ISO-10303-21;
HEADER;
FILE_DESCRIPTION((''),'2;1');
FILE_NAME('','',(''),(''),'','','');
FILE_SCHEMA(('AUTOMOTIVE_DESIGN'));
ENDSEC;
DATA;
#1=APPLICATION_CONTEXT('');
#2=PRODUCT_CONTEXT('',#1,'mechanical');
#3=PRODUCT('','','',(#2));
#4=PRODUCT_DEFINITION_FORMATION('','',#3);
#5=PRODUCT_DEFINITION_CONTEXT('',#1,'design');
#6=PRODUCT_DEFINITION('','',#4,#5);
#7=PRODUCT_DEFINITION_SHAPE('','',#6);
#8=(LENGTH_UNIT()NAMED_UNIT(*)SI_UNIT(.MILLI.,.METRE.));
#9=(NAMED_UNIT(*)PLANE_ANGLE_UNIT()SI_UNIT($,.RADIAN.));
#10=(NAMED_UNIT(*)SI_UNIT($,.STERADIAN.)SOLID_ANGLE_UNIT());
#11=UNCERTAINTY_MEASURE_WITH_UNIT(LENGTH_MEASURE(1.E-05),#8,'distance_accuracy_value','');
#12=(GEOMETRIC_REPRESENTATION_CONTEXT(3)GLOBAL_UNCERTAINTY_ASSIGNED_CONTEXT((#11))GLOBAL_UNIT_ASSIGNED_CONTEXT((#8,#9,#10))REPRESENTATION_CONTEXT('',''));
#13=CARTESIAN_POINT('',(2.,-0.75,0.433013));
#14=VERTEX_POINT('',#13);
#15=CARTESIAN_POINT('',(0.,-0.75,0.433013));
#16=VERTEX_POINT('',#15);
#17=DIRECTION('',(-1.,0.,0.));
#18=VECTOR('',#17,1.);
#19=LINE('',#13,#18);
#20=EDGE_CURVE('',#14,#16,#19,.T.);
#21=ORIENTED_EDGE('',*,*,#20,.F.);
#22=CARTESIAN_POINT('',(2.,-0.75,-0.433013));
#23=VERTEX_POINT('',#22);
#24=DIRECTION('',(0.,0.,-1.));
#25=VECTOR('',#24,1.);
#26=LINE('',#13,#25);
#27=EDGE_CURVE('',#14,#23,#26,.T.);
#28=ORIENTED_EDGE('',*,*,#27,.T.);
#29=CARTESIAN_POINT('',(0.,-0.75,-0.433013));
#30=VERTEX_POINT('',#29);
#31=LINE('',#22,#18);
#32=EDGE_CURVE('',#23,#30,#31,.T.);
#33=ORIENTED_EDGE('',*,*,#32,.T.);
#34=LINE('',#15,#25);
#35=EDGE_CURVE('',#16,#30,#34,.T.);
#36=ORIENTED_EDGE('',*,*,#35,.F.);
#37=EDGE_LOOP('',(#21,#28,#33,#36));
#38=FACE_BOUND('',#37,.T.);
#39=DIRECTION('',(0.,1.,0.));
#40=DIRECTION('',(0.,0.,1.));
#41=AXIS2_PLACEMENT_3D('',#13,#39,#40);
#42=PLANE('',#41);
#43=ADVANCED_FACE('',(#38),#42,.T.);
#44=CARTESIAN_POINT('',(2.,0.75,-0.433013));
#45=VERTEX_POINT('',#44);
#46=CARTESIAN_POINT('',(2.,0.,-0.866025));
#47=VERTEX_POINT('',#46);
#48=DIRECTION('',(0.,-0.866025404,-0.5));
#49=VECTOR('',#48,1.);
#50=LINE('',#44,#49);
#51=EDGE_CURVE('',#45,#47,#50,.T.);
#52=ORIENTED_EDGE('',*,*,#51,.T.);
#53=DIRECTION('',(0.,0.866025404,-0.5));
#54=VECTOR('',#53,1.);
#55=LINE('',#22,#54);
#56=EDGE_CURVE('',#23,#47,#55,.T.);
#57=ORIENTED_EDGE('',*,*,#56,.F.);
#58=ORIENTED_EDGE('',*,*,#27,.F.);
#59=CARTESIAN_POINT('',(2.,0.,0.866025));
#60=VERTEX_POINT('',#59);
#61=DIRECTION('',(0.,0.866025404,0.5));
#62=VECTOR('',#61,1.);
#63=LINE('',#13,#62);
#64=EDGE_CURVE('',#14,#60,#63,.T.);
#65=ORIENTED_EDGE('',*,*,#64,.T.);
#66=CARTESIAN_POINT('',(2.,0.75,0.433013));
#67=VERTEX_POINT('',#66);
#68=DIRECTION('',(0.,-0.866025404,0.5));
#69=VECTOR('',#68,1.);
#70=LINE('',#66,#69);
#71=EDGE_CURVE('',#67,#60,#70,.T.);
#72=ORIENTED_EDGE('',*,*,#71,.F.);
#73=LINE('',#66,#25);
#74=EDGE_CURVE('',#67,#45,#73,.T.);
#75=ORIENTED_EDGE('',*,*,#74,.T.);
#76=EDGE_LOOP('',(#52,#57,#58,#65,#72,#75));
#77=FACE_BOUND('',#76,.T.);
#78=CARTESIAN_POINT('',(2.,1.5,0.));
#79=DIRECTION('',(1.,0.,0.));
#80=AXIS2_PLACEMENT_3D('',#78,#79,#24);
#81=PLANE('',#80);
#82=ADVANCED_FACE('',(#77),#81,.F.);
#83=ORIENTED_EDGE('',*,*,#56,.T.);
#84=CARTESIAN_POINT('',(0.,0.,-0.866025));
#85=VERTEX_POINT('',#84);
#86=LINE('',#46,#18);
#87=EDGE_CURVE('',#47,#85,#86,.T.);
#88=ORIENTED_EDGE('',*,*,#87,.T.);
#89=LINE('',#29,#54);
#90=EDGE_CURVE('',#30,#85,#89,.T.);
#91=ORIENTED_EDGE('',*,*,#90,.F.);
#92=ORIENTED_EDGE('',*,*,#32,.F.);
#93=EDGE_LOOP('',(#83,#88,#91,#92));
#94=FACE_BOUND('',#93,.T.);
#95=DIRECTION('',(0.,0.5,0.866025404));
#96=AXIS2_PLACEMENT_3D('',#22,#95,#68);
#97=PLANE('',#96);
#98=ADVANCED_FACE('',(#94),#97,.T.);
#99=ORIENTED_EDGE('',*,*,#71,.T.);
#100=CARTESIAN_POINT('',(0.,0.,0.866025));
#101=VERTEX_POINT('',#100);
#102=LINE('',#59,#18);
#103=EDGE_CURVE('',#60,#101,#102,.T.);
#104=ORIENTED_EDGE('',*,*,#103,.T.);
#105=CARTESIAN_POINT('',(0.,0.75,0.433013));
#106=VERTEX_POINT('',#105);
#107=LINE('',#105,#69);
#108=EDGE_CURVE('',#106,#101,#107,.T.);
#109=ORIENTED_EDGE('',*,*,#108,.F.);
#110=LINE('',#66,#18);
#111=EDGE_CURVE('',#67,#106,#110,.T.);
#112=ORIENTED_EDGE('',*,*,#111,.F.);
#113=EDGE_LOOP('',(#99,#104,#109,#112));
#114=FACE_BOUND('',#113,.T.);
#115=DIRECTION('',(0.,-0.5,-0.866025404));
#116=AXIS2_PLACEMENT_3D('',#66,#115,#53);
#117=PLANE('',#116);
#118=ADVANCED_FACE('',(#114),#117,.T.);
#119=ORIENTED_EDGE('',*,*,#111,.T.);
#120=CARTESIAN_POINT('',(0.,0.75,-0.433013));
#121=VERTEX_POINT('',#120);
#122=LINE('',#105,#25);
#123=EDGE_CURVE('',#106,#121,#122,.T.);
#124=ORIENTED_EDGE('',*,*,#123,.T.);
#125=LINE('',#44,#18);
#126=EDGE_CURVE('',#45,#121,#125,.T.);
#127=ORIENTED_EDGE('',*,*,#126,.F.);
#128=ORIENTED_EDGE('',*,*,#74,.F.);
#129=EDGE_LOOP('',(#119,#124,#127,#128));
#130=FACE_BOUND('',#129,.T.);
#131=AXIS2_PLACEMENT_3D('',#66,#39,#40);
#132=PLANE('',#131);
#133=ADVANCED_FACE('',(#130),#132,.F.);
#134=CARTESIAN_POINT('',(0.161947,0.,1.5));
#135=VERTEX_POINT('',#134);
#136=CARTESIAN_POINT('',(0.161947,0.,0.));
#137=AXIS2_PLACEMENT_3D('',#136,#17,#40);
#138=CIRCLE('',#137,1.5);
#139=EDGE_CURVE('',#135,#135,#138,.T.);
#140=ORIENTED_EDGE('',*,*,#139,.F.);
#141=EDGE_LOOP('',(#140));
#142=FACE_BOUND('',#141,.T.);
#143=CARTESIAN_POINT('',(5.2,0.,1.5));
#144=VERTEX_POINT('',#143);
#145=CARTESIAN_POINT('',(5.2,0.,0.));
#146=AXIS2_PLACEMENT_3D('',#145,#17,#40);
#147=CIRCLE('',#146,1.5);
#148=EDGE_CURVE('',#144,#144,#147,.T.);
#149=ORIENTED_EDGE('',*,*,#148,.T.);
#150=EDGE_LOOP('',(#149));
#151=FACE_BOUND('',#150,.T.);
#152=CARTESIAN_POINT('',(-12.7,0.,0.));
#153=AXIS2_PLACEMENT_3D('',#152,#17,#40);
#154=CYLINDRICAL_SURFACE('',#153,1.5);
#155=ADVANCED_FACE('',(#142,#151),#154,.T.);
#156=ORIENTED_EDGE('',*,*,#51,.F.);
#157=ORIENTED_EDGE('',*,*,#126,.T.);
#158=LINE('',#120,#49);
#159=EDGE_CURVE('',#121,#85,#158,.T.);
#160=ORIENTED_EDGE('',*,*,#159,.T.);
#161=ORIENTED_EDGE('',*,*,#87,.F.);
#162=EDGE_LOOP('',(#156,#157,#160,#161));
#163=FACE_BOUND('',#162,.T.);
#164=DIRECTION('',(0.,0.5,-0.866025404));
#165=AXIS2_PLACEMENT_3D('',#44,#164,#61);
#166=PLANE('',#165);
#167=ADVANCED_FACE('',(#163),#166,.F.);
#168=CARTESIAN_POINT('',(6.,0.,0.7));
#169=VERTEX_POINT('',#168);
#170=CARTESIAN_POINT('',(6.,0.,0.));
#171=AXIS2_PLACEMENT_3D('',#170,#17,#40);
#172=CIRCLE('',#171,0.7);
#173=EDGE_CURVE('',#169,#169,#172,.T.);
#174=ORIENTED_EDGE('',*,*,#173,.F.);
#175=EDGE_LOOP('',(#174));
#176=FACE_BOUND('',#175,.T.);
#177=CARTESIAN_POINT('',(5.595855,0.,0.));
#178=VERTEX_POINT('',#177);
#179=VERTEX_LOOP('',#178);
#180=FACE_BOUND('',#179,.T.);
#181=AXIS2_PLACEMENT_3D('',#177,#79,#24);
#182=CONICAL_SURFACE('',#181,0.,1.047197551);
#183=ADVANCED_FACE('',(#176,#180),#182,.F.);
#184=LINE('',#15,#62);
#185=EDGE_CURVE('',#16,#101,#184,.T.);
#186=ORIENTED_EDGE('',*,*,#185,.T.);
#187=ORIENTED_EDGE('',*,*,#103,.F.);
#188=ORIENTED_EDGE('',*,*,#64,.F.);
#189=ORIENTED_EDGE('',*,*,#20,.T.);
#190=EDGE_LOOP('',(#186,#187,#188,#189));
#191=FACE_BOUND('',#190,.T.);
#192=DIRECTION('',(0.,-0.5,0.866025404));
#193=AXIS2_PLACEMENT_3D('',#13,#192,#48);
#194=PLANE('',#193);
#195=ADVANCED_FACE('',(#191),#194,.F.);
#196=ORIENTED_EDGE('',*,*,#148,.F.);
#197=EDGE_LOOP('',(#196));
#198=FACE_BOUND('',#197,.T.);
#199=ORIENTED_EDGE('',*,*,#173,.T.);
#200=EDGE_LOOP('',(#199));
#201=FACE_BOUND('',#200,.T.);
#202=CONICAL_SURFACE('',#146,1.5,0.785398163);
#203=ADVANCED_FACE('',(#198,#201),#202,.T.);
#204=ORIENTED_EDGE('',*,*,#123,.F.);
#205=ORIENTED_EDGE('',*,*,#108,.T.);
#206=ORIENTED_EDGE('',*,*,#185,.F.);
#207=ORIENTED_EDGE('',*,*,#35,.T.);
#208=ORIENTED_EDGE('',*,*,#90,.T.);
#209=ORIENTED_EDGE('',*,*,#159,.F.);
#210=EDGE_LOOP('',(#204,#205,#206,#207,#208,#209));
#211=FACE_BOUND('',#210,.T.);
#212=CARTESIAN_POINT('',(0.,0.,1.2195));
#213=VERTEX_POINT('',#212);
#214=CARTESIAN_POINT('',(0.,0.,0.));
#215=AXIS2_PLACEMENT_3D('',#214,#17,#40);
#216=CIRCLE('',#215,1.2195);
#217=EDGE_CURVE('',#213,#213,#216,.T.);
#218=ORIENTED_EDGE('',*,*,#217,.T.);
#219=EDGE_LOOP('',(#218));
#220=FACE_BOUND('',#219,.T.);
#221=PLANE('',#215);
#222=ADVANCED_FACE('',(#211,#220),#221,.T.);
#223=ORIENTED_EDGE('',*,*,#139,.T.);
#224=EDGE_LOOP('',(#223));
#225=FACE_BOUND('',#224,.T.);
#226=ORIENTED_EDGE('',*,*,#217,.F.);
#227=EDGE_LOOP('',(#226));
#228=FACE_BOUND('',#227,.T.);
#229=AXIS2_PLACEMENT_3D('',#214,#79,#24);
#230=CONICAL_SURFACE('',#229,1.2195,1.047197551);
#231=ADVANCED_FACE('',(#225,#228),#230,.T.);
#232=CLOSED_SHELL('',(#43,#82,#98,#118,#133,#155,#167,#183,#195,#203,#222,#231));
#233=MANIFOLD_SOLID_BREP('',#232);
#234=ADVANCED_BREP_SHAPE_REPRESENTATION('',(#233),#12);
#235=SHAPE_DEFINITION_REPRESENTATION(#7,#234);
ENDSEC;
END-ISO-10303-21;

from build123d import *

# Parameters (mm, degrees)
HEX_2_DEPTH = 2


with BuildPart() as part:
    # BodySke → BaseBody (revolve)
    with BuildSketch(Plane.XY, mode=Mode.PRIVATE) as basebody_sk:
        Polygon((0, 0), (0, 1.2195), (0.161946751, 1.5), (5.2, 1.5), (6, 0.7), (5.595854812, 0), align=None)
    revolve(basebody_sk.sketch.rotate(Axis((-12.7, 0, 0), (1, 0, 0)), 90), axis=Axis((-12.7, 0, 0), (1, 0, 0)))

    # Sketch2 → Hex 2 (cut)
    with BuildSketch(Plane.ZY):
        Polygon((0.433012702, 0.75), (-0.433012702, 0.75), (-0.866025404, 0), (-0.433012702, -0.75), (0.433012702, -0.75), (0.866025404, 0), align=None)
    extrude(amount=-HEX_2_DEPTH, mode=Mode.SUBTRACT)


solid = part.part
